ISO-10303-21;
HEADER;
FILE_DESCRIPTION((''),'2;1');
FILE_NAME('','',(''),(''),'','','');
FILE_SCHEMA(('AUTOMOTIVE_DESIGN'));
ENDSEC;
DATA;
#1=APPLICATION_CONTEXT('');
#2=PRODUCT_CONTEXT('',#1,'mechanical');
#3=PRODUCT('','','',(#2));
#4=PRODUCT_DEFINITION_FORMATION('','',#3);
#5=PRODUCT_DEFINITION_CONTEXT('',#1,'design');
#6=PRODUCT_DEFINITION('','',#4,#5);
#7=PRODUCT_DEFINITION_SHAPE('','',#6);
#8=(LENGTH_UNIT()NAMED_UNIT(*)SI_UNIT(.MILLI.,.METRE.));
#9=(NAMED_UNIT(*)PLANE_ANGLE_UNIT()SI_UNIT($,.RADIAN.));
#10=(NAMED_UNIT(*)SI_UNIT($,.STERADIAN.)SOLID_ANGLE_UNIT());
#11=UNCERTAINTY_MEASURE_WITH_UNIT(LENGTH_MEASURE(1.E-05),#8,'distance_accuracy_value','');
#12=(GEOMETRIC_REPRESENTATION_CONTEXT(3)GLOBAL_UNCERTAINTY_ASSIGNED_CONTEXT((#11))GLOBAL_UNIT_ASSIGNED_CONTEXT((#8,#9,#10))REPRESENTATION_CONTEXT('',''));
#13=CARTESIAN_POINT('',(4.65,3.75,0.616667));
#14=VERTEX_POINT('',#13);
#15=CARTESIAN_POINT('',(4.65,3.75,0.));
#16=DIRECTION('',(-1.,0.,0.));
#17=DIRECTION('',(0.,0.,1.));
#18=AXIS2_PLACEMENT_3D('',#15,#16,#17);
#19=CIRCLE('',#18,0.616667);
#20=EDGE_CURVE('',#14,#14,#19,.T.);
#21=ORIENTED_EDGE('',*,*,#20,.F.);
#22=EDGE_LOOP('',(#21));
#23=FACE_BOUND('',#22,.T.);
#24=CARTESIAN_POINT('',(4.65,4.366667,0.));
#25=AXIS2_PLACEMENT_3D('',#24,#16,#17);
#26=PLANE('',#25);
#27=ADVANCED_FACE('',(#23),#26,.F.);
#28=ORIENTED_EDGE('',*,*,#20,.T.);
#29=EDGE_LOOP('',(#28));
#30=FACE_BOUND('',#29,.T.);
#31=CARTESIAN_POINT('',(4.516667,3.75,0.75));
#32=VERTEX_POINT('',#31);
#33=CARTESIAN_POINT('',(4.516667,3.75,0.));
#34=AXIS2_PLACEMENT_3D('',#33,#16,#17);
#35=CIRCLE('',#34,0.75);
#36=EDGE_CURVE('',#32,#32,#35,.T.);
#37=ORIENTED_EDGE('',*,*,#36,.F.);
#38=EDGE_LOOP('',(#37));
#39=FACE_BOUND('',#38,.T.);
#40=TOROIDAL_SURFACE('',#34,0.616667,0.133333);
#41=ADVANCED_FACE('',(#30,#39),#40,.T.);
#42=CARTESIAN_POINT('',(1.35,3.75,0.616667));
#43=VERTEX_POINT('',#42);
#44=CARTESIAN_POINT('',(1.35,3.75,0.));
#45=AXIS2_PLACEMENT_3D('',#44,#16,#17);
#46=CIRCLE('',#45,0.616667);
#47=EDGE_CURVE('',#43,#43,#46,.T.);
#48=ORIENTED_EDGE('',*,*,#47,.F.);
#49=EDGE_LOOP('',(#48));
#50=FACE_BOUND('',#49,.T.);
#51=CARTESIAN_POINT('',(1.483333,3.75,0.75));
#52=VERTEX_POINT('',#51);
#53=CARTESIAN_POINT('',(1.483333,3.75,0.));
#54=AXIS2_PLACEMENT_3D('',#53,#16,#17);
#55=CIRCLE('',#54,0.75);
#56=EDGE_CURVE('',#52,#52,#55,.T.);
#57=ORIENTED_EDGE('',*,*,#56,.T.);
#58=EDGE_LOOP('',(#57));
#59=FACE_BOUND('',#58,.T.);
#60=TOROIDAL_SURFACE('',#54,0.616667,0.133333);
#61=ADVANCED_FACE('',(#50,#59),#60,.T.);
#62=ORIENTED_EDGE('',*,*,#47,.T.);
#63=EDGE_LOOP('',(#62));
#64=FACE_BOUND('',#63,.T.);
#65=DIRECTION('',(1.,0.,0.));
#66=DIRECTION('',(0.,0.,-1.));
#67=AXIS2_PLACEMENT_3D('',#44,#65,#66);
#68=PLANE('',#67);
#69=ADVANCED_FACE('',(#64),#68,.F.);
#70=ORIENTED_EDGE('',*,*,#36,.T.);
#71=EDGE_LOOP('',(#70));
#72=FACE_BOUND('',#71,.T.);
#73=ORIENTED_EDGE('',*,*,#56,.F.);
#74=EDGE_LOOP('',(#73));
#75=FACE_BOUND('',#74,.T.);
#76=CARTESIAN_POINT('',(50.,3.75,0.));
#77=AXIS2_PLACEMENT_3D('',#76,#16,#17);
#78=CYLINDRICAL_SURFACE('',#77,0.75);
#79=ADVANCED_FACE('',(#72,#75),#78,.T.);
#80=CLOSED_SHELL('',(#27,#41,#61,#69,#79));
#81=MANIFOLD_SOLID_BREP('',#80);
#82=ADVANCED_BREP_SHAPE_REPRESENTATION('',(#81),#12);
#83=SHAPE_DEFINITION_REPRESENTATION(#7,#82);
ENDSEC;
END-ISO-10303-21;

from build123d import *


with BuildPart() as part:
    # Sketch1 → Revolve1 (revolve)
    with BuildSketch(Plane.XY):
        with BuildLine():
            Line((1.35, 3.75), (1.35, 4.366666667))
            ThreePointArc((1.35, 4.366666667), (1.389052429, 4.460947571), (1.483333333, 4.5))
            Line((1.483333333, 4.5), (4.516666667, 4.5))
            ThreePointArc((4.516666667, 4.5), (4.610947571, 4.460947571), (4.65, 4.366666667))
            Line((4.65, 4.366666667), (4.65, 3.75))
            Line((4.65, 3.75), (1.35, 3.75))
        make_face()
    revolve(axis=Axis((50, 3.75, 0), (-1, 0, 0)))


solid = part.part
